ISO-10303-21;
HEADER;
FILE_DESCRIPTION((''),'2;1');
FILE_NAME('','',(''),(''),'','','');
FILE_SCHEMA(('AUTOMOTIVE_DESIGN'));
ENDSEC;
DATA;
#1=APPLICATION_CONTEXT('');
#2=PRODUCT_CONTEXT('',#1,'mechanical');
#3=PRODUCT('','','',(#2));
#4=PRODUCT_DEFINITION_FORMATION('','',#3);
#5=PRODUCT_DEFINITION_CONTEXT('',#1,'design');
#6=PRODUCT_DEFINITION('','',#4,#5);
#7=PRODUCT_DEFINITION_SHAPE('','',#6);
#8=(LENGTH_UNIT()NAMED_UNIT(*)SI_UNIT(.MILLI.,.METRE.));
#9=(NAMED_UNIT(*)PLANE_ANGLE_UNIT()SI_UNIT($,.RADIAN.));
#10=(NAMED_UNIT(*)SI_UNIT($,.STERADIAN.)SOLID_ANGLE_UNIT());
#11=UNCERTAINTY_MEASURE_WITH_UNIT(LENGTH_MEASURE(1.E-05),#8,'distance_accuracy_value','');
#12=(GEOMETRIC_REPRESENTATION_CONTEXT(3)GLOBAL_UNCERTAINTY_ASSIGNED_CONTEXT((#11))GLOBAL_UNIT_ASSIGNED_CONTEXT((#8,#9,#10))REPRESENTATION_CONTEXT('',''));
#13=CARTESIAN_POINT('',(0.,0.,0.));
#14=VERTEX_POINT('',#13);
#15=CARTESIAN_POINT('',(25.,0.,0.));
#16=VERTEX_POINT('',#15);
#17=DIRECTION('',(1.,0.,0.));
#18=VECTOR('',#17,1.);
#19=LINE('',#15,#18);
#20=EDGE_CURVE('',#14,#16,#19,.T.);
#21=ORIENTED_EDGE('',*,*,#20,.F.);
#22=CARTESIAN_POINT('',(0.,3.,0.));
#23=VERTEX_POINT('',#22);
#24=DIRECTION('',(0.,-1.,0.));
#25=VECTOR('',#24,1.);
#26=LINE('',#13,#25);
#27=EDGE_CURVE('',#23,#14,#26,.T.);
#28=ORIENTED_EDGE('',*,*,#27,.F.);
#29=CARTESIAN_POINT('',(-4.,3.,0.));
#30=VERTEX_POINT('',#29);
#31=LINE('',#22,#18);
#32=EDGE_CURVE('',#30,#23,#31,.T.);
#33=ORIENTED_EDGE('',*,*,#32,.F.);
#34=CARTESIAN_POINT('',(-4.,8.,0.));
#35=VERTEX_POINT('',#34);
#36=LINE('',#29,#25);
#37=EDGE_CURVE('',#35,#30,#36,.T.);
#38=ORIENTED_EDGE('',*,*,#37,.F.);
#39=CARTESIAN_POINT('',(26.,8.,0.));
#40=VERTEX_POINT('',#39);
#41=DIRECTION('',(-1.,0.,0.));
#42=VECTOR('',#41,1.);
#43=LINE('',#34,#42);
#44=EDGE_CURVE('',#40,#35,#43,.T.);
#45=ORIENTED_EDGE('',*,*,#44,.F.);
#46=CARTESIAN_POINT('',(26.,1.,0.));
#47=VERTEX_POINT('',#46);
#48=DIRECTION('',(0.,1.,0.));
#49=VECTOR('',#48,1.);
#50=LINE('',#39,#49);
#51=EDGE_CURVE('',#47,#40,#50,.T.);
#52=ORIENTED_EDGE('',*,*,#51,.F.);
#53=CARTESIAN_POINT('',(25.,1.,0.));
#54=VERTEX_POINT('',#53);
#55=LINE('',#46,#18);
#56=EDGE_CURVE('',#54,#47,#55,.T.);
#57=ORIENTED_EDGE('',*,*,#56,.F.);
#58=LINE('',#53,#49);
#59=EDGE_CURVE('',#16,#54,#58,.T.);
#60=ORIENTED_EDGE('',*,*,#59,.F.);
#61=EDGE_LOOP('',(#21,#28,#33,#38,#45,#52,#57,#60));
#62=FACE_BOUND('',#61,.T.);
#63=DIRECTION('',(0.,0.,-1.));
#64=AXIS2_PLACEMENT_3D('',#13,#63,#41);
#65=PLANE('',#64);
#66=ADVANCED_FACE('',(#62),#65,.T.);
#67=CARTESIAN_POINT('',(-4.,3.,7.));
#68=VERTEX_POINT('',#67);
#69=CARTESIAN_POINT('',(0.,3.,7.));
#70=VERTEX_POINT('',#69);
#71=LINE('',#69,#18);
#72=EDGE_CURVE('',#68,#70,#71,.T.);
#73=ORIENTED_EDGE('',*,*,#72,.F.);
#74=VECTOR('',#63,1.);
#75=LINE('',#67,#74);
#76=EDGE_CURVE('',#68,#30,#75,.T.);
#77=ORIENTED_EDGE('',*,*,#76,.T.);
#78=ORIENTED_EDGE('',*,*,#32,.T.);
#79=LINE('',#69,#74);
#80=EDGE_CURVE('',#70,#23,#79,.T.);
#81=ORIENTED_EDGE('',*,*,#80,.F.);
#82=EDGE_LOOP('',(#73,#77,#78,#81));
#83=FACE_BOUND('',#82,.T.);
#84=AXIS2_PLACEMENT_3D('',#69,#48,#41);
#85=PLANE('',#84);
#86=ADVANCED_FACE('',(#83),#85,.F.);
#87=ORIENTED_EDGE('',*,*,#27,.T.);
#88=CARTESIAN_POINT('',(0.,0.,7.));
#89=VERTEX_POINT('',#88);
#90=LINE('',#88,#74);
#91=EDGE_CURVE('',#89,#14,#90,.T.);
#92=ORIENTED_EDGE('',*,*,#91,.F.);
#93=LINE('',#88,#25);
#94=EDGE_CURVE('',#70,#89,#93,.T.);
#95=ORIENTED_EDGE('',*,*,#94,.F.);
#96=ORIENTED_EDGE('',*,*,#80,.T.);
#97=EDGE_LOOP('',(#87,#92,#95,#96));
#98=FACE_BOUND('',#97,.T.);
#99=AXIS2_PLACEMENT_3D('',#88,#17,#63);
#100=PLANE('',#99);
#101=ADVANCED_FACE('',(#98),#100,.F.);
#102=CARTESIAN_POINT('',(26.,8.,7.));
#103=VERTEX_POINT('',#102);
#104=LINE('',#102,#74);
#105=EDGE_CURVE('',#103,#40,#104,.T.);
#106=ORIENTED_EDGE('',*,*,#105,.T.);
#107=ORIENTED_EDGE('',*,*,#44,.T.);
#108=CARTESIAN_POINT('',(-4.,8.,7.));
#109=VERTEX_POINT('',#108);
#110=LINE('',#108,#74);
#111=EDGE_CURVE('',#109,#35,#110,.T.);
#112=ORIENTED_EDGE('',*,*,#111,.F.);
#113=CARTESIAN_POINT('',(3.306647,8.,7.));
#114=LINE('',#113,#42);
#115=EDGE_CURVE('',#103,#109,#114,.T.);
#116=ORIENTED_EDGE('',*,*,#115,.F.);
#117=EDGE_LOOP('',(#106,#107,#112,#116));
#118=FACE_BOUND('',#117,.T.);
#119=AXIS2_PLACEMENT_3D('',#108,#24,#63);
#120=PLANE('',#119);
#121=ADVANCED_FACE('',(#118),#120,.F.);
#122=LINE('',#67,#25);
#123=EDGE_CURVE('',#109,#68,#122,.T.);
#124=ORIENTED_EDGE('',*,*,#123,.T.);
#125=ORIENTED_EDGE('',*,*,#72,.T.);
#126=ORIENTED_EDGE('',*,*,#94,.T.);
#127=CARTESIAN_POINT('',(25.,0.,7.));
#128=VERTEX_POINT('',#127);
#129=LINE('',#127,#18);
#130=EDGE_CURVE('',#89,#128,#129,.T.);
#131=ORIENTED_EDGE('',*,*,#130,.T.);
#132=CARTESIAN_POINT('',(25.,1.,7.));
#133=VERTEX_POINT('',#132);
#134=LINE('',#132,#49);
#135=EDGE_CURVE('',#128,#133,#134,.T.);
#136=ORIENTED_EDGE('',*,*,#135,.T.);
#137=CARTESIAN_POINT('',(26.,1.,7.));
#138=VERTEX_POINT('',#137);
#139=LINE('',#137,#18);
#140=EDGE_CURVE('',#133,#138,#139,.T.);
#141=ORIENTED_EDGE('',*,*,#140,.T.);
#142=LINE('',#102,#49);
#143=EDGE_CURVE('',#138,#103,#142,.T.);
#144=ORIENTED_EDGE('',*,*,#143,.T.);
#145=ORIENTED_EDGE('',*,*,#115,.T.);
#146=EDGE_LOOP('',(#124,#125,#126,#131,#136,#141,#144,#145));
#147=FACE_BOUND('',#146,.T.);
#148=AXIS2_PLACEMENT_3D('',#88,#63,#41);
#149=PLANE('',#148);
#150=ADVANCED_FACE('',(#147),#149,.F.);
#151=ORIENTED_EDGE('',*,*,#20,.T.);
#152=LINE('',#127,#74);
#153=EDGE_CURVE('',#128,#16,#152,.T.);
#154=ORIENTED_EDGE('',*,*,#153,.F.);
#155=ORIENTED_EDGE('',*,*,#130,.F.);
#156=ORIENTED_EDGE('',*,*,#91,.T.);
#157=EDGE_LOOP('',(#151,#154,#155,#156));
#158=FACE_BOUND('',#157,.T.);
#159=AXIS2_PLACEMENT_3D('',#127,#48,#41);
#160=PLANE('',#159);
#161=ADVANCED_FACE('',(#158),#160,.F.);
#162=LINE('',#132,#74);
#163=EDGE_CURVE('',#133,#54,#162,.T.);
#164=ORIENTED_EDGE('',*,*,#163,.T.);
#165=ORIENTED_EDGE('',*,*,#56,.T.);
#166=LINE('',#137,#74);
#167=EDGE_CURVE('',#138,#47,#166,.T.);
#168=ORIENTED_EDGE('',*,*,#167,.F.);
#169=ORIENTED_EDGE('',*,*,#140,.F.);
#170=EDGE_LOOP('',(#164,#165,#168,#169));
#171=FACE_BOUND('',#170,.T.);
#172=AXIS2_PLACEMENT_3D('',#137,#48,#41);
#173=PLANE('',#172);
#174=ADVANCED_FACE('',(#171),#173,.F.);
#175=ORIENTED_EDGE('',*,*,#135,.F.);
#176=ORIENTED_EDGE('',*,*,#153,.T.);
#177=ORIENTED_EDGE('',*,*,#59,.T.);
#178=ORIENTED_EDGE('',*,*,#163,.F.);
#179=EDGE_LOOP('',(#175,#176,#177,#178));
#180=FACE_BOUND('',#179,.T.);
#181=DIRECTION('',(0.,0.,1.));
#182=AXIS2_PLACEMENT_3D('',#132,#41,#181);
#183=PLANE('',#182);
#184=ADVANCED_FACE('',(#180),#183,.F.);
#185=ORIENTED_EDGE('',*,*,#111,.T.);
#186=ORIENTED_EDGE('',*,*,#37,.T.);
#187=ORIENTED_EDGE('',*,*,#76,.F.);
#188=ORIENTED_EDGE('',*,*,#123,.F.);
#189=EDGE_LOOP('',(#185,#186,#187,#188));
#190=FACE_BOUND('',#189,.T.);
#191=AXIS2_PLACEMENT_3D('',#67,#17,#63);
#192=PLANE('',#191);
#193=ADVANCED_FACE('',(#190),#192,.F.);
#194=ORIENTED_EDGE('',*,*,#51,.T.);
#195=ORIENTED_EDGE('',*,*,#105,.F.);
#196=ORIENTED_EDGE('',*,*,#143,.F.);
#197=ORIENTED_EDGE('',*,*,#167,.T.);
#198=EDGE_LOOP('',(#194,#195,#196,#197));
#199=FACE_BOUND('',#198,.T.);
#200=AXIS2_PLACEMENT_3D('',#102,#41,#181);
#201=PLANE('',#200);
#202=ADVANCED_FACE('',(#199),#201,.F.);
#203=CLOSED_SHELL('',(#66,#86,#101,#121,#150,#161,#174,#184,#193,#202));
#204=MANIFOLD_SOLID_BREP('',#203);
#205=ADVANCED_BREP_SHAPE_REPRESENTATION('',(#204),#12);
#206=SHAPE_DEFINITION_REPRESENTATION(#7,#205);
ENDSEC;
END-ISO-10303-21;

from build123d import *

# Parameters (mm, degrees)
SALIENTE_EXTRUIR1_DEPTH = 7


with BuildPart() as part:
    # Croquis1 → Saliente-Extruir1 (new body)
    with BuildSketch(Plane.XY):
        Polygon((0, 0), (0, 3), (-4, 3), (-4, 8), (3.306646596, 8), (26, 8), (26, 1), (25, 1), (25, 0), align=None)
    extrude(amount=SALIENTE_EXTRUIR1_DEPTH)


solid = part.part
